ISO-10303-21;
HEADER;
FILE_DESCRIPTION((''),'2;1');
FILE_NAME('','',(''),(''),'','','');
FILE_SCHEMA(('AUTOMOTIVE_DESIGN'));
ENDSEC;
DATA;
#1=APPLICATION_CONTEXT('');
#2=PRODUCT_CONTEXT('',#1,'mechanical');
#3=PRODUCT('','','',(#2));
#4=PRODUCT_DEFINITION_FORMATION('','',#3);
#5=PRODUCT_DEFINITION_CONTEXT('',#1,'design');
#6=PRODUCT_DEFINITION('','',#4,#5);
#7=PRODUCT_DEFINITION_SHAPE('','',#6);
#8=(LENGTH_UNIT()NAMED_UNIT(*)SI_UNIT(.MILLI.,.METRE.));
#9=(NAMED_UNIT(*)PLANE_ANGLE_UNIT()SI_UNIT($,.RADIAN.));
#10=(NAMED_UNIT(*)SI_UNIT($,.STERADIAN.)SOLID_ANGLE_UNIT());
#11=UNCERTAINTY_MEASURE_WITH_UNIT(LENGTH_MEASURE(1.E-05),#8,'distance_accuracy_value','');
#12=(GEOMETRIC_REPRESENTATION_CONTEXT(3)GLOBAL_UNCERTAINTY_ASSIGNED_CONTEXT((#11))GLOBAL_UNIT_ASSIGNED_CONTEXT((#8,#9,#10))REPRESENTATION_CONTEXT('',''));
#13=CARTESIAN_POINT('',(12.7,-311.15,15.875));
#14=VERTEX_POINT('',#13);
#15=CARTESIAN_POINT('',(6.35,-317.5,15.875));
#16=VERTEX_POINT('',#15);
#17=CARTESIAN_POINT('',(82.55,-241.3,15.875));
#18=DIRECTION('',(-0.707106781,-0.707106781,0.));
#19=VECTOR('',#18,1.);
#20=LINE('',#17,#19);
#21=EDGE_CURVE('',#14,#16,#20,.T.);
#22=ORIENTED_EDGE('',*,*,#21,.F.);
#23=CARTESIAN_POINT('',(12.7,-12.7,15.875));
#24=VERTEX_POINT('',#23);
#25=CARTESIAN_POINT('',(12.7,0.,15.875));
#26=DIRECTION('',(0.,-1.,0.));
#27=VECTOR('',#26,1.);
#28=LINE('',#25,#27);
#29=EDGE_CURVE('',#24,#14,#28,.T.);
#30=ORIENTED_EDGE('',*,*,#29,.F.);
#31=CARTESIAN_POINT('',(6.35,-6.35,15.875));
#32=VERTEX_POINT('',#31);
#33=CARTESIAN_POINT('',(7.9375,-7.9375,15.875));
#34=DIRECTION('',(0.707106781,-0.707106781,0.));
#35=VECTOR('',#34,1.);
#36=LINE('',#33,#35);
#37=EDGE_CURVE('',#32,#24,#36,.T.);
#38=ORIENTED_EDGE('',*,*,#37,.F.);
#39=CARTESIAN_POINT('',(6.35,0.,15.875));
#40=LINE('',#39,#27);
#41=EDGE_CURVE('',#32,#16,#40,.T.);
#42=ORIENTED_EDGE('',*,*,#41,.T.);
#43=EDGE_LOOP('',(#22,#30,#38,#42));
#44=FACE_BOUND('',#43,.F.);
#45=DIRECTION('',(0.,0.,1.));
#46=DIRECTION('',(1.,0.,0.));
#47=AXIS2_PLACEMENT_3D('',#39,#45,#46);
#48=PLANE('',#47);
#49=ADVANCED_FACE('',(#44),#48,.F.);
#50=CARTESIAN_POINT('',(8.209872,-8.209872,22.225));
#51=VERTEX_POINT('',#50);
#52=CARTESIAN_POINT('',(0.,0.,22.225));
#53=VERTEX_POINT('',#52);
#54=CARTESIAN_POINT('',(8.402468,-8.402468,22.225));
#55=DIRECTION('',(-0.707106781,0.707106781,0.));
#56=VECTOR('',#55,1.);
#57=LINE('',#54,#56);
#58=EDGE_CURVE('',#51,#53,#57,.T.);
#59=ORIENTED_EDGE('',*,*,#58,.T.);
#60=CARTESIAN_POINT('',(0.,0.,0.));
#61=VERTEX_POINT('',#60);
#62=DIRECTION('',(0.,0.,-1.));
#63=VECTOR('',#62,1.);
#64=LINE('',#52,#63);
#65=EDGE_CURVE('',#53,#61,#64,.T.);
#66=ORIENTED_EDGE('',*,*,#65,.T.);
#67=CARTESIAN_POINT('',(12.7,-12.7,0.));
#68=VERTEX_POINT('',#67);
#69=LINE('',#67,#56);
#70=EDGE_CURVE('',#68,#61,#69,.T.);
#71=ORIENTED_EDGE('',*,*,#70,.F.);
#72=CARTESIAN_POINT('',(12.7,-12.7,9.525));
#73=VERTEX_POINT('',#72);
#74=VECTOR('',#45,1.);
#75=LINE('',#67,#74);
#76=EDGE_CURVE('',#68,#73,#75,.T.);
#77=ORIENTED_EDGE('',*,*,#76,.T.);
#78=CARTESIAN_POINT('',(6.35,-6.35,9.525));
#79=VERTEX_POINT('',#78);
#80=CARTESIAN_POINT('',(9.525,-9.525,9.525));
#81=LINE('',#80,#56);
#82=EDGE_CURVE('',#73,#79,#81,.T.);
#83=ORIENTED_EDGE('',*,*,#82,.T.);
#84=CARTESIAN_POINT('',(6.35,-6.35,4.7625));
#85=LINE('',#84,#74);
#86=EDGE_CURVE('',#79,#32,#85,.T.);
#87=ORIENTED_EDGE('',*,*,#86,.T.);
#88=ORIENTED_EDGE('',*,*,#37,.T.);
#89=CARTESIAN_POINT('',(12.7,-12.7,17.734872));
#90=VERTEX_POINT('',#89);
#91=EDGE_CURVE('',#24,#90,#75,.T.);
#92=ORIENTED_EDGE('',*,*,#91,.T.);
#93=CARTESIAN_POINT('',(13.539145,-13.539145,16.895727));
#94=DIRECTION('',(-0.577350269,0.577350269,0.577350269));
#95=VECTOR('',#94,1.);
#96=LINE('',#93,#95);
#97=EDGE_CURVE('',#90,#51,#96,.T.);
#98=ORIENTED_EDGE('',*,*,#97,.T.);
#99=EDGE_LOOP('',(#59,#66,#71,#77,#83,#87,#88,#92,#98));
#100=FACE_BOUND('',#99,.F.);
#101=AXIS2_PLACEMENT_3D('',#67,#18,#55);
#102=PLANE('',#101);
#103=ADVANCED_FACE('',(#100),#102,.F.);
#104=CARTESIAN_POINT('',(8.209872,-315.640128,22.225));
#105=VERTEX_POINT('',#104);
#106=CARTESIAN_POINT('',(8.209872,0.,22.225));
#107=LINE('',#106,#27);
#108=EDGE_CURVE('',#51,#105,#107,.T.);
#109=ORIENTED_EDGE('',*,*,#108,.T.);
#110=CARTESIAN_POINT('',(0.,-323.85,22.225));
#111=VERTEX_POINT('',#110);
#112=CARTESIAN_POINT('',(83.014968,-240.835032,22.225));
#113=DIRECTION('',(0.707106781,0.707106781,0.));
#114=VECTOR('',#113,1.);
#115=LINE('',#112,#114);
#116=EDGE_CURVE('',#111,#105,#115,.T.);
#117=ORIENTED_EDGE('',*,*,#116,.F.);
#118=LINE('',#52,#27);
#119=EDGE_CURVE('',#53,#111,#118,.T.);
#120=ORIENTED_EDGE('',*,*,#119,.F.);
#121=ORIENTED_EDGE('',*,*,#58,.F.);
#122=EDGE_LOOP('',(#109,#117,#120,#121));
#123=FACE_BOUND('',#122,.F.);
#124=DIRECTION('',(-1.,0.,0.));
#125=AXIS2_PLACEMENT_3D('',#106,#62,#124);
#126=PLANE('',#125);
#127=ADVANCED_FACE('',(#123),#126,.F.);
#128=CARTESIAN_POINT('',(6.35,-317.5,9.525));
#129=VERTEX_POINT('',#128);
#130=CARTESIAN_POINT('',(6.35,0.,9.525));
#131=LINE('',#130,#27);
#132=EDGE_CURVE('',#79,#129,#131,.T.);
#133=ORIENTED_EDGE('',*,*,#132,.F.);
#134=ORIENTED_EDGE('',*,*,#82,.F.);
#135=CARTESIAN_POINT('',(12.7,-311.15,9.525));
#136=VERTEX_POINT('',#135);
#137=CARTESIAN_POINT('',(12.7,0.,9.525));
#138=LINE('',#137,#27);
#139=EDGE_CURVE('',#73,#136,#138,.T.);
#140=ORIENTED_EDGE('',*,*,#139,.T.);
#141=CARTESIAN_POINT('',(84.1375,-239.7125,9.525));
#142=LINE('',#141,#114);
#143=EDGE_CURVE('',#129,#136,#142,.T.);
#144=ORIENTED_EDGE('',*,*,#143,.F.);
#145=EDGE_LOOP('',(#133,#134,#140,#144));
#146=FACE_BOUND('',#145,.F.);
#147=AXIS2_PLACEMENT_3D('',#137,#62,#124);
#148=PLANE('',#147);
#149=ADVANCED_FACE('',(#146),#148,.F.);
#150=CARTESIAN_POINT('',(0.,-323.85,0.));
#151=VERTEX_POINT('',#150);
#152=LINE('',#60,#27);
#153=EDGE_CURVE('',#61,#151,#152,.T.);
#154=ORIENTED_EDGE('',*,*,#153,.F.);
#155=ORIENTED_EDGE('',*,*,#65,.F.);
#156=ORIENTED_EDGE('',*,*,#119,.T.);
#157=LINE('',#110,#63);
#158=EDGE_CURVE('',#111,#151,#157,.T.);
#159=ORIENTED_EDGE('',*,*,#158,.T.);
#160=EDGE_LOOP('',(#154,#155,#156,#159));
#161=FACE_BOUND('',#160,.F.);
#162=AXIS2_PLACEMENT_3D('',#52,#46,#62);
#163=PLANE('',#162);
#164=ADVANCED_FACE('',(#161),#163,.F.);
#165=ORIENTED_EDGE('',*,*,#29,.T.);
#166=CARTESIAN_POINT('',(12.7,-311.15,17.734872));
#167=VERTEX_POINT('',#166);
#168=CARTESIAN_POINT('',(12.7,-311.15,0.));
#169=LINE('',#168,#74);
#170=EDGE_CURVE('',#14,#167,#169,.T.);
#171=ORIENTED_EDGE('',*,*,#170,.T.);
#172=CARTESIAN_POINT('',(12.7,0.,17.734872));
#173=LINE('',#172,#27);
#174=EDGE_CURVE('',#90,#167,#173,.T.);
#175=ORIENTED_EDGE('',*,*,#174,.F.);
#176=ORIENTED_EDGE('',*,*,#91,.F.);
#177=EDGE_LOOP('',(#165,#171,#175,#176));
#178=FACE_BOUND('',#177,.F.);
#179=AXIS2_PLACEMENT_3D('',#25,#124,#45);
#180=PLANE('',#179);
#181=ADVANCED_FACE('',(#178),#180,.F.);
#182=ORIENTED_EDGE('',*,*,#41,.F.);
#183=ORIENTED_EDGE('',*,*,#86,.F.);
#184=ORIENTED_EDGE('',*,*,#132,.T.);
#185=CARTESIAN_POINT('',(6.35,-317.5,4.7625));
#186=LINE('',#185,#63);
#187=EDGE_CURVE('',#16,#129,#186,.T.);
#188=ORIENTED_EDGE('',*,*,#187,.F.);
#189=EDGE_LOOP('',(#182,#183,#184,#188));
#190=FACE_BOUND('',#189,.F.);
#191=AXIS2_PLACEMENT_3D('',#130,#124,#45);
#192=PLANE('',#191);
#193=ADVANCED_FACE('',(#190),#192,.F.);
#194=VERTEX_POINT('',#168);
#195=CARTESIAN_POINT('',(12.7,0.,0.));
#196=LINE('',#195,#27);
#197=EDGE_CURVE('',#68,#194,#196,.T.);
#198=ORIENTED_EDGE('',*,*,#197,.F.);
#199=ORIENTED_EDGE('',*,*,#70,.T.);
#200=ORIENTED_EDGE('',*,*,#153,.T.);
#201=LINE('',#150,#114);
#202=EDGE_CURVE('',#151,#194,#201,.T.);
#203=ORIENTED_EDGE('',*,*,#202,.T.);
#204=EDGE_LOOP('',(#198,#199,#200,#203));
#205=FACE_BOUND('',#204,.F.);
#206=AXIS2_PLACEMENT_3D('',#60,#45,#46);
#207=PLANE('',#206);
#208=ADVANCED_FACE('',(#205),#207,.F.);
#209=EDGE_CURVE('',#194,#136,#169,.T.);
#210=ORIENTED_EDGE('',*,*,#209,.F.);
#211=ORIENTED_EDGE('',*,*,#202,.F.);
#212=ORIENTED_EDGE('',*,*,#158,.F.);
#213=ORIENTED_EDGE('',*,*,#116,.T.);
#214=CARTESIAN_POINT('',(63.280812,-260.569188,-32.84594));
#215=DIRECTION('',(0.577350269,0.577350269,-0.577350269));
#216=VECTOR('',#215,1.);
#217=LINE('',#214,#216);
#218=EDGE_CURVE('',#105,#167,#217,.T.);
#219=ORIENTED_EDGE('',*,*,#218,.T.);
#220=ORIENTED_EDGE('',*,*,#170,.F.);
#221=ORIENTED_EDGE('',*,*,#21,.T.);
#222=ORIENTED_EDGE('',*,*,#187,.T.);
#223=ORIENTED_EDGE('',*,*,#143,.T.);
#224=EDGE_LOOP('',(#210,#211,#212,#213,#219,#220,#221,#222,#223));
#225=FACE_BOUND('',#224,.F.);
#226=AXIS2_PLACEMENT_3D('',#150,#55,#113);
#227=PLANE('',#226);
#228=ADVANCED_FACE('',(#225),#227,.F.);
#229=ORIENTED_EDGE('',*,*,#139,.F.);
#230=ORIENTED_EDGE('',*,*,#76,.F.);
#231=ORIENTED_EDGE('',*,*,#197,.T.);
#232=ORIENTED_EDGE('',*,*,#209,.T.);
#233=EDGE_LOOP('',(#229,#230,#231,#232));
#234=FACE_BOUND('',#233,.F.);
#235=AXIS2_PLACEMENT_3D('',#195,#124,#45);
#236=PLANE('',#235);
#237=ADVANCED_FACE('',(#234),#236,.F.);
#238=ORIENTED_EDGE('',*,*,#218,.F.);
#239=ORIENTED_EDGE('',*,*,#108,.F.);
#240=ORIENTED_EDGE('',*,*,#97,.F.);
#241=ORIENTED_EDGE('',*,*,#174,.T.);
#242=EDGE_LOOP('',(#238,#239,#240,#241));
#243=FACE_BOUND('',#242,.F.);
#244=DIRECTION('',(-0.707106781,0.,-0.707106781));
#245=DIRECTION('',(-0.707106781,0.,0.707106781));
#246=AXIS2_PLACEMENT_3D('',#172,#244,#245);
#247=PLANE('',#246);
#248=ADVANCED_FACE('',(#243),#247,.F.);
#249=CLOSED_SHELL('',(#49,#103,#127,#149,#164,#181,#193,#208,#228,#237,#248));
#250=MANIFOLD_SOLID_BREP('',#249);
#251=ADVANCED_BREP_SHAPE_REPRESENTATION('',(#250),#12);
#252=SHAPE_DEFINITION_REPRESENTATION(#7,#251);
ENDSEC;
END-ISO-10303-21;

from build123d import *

# Parameters (mm, degrees)
F1_DEPTH = 323.85
F3_DEPTH = 22.226


with BuildPart() as f1:
    # F0 (on Front) → F1 (new body)
    with BuildSketch(Plane.XZ):
        Polygon((0, 22.225), (0, 0), (12.7, 0), (12.7, 9.525), (6.35, 9.525), (6.35, 15.875), (12.7, 15.875), (12.7, 17.734872), (8.209872, 22.225), align=None)
    extrude(amount=F1_DEPTH)

    # F2 (on face) → F3 (cut, through all)
    with BuildSketch(Plane(origin=(0, 0, 0), x_dir=(1, 0, 0), z_dir=(0, 0, -1))):
        Polygon((12.7, 323.85), (0, 323.85), (12.7, 311.15), align=None)
        Polygon((12.7, 12.7), (0, 0), (12.7, 0), align=None)
    extrude(amount=-F3_DEPTH, mode=Mode.SUBTRACT)


solid = f1.part
